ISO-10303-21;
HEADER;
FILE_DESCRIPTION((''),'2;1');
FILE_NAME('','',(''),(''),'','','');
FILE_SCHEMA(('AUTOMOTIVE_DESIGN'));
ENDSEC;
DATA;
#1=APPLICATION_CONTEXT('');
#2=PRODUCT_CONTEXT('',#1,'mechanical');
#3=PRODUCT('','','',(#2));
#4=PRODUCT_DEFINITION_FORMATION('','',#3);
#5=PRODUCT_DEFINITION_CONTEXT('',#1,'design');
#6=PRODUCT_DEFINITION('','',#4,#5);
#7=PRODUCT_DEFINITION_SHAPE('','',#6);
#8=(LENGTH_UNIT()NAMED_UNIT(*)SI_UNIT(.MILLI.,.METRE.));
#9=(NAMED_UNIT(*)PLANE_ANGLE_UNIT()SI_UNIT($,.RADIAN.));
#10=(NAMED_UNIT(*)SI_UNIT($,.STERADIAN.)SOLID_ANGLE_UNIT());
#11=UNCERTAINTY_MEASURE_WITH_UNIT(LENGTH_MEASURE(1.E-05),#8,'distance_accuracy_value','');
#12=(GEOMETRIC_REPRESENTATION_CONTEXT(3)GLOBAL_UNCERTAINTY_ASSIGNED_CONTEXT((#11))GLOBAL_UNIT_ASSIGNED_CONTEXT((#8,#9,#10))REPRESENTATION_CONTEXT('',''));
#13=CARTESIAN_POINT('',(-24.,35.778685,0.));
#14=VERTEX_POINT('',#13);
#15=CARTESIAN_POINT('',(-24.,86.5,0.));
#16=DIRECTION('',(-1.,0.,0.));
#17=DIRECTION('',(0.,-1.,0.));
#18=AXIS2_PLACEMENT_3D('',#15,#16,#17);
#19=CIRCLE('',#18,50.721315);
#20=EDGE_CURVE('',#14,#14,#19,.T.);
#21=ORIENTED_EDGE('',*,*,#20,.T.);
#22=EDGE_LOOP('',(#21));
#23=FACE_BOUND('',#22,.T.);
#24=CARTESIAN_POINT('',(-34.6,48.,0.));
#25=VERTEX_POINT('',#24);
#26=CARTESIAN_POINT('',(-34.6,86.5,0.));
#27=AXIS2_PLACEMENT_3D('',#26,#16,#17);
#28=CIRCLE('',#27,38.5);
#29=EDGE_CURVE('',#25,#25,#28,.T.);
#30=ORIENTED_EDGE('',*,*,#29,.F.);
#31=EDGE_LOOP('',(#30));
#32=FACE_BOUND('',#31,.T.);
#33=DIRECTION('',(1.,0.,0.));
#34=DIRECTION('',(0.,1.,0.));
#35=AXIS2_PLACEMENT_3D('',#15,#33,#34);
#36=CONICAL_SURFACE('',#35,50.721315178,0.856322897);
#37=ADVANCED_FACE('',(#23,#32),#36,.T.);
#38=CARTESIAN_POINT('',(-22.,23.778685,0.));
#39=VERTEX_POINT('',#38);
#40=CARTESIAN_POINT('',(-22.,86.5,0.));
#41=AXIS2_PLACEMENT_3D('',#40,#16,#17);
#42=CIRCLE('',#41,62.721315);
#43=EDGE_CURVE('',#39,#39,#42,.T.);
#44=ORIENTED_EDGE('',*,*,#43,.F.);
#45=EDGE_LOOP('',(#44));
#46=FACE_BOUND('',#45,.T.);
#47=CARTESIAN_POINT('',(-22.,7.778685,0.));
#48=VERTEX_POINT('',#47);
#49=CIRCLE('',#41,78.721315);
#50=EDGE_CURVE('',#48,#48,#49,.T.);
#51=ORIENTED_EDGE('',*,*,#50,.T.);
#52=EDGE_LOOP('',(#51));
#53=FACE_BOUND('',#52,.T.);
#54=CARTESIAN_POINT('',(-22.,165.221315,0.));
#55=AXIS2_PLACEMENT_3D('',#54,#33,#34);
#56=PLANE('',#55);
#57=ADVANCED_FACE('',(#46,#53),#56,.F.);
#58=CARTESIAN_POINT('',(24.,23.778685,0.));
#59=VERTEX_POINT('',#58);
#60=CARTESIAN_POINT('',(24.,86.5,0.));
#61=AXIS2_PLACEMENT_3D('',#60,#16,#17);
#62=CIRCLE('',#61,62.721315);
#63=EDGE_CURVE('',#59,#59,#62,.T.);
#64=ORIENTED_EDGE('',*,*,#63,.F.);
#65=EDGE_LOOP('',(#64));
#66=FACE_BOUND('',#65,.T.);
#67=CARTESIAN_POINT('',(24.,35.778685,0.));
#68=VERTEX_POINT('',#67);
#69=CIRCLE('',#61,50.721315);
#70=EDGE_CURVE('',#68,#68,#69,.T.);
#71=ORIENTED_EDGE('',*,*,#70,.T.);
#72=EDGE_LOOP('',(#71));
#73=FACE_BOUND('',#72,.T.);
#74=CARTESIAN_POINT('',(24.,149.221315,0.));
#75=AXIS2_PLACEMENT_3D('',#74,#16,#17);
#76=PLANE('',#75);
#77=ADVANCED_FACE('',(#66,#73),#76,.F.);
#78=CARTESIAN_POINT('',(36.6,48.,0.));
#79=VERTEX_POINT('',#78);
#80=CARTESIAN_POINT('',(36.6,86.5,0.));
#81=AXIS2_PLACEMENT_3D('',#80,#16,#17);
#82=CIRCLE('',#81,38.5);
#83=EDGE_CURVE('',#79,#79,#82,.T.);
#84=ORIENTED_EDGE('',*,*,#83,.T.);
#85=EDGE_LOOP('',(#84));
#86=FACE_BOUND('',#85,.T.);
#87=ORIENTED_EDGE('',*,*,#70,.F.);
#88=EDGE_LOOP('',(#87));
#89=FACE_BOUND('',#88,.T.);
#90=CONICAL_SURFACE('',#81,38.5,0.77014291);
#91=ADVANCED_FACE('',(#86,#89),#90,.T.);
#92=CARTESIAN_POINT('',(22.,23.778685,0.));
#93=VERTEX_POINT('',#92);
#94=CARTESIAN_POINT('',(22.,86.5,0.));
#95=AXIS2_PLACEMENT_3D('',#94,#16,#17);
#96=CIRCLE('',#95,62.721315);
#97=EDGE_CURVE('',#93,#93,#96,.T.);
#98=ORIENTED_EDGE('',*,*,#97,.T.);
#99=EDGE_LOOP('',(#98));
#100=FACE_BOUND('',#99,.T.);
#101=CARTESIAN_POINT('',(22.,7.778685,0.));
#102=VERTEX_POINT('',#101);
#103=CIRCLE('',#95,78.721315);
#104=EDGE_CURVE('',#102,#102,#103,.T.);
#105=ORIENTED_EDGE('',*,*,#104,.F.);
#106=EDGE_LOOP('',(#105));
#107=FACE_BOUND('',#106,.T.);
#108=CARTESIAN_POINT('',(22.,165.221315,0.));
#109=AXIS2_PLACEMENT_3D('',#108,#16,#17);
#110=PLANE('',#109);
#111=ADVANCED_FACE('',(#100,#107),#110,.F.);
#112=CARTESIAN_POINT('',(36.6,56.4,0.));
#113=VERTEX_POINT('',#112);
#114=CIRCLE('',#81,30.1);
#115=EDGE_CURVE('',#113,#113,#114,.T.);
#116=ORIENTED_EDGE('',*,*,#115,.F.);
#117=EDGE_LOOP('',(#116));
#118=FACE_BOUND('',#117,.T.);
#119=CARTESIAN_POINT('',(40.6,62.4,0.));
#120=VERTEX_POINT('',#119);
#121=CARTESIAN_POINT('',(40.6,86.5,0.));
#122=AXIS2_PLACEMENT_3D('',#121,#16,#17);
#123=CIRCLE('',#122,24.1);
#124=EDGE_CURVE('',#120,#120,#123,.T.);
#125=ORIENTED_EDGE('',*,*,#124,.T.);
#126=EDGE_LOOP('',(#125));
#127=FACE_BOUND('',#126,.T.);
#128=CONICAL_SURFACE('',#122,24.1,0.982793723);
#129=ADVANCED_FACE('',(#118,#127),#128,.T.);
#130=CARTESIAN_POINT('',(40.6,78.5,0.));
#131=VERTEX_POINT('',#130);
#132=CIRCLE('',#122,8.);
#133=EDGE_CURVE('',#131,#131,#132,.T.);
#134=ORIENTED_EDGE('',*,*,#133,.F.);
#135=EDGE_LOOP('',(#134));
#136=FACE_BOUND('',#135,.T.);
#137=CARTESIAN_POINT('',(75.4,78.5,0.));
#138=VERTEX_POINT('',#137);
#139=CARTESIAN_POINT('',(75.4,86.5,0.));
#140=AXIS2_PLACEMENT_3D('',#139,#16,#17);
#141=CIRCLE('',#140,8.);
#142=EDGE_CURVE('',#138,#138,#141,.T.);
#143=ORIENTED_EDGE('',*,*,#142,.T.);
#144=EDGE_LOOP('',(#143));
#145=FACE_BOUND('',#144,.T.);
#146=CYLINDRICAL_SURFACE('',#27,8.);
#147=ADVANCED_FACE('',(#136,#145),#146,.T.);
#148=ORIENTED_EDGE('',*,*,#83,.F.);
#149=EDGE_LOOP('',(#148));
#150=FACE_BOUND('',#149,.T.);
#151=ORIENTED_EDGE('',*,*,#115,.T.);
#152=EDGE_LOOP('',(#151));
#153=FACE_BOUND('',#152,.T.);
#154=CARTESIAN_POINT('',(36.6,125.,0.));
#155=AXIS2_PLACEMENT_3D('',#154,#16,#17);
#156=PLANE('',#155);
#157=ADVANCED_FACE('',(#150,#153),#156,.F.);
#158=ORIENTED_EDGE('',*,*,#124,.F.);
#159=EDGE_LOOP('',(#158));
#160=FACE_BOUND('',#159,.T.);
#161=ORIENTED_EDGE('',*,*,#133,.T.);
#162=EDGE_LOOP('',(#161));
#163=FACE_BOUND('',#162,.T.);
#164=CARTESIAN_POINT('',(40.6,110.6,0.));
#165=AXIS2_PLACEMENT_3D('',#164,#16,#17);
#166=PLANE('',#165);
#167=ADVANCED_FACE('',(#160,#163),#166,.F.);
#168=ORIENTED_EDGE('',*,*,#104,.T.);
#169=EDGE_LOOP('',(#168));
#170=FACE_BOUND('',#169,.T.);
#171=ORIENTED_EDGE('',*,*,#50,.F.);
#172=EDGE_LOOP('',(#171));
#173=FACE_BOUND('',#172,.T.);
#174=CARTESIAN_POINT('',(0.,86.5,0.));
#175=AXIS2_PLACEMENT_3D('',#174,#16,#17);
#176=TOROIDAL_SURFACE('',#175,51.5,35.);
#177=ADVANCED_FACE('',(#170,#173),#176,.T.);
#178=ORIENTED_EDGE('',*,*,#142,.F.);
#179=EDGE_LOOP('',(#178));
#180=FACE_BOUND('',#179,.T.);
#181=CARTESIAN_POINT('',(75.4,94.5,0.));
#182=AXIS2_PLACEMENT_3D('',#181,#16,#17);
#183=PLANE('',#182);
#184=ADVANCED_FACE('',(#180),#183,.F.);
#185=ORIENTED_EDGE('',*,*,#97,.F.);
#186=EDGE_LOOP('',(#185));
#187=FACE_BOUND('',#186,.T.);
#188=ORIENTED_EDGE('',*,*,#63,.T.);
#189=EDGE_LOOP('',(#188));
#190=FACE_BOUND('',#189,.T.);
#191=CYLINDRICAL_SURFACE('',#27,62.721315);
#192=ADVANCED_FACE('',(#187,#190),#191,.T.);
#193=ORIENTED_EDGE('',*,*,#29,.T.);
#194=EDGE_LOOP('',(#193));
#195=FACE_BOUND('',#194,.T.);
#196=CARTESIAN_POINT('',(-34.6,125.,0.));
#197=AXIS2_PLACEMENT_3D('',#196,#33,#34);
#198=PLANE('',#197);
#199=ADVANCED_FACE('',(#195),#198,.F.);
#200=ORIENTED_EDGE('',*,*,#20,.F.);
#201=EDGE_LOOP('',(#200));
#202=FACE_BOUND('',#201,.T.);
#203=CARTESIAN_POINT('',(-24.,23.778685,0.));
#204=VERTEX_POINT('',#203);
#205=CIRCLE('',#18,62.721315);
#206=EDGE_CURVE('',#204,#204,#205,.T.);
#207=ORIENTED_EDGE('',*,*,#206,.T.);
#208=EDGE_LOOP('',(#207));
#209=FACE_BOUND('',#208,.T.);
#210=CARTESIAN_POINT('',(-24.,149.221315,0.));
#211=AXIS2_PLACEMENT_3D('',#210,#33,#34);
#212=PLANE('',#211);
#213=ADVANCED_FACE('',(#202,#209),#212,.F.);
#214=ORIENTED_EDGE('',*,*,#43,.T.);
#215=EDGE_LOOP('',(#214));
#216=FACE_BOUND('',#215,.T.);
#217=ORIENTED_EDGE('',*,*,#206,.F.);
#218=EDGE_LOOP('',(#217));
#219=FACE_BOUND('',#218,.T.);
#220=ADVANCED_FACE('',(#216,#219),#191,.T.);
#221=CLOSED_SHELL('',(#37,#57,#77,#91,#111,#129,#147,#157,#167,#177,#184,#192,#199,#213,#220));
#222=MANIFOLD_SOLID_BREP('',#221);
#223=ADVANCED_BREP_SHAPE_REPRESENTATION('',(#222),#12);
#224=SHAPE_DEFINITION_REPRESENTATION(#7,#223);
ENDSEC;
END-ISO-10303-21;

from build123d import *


with BuildPart() as part:
    # Croquis1 → Revolución1 (revolve)
    with BuildSketch(Plane.XY, mode=Mode.PRIVATE) as revoluci_n1_sk:
        with BuildLine():
            Line((-22, 165.221315178), (-22, 149.221315178))
            Line((-22, 149.221315178), (-24, 149.221315178))
            Line((-24, 149.221315178), (-24, 137.221315178))
            Line((-24, 137.221315178), (-34.6, 125))
            Line((-34.6, 125), (-34.6, 86.5))
            Line((-34.6, 86.5), (75.4, 86.5))
            Line((75.4, 86.5), (75.4, 94.5))
            Line((75.4, 94.5), (40.6, 94.5))
            Line((40.6, 94.5), (40.6, 110.6))
            Line((40.6, 110.6), (36.6, 116.6))
            Line((36.6, 116.6), (36.6, 125))
            Line((36.6, 125), (24, 137.221315178))
            Line((24, 137.221315178), (24, 149.221315178))
            Line((24, 149.221315178), (22, 149.221315178))
            Line((22, 149.221315178), (22, 165.221315178))
            ThreePointArc((22, 165.221315178), (0, 173), (-22, 165.221315178))
        make_face()
    revolve(revoluci_n1_sk.sketch.rotate(Axis((-34.6, 86.5, 0), (1, 0, 0)), 180), axis=Axis((-34.6, 86.5, 0), (1, 0, 0)))


solid = part.part
